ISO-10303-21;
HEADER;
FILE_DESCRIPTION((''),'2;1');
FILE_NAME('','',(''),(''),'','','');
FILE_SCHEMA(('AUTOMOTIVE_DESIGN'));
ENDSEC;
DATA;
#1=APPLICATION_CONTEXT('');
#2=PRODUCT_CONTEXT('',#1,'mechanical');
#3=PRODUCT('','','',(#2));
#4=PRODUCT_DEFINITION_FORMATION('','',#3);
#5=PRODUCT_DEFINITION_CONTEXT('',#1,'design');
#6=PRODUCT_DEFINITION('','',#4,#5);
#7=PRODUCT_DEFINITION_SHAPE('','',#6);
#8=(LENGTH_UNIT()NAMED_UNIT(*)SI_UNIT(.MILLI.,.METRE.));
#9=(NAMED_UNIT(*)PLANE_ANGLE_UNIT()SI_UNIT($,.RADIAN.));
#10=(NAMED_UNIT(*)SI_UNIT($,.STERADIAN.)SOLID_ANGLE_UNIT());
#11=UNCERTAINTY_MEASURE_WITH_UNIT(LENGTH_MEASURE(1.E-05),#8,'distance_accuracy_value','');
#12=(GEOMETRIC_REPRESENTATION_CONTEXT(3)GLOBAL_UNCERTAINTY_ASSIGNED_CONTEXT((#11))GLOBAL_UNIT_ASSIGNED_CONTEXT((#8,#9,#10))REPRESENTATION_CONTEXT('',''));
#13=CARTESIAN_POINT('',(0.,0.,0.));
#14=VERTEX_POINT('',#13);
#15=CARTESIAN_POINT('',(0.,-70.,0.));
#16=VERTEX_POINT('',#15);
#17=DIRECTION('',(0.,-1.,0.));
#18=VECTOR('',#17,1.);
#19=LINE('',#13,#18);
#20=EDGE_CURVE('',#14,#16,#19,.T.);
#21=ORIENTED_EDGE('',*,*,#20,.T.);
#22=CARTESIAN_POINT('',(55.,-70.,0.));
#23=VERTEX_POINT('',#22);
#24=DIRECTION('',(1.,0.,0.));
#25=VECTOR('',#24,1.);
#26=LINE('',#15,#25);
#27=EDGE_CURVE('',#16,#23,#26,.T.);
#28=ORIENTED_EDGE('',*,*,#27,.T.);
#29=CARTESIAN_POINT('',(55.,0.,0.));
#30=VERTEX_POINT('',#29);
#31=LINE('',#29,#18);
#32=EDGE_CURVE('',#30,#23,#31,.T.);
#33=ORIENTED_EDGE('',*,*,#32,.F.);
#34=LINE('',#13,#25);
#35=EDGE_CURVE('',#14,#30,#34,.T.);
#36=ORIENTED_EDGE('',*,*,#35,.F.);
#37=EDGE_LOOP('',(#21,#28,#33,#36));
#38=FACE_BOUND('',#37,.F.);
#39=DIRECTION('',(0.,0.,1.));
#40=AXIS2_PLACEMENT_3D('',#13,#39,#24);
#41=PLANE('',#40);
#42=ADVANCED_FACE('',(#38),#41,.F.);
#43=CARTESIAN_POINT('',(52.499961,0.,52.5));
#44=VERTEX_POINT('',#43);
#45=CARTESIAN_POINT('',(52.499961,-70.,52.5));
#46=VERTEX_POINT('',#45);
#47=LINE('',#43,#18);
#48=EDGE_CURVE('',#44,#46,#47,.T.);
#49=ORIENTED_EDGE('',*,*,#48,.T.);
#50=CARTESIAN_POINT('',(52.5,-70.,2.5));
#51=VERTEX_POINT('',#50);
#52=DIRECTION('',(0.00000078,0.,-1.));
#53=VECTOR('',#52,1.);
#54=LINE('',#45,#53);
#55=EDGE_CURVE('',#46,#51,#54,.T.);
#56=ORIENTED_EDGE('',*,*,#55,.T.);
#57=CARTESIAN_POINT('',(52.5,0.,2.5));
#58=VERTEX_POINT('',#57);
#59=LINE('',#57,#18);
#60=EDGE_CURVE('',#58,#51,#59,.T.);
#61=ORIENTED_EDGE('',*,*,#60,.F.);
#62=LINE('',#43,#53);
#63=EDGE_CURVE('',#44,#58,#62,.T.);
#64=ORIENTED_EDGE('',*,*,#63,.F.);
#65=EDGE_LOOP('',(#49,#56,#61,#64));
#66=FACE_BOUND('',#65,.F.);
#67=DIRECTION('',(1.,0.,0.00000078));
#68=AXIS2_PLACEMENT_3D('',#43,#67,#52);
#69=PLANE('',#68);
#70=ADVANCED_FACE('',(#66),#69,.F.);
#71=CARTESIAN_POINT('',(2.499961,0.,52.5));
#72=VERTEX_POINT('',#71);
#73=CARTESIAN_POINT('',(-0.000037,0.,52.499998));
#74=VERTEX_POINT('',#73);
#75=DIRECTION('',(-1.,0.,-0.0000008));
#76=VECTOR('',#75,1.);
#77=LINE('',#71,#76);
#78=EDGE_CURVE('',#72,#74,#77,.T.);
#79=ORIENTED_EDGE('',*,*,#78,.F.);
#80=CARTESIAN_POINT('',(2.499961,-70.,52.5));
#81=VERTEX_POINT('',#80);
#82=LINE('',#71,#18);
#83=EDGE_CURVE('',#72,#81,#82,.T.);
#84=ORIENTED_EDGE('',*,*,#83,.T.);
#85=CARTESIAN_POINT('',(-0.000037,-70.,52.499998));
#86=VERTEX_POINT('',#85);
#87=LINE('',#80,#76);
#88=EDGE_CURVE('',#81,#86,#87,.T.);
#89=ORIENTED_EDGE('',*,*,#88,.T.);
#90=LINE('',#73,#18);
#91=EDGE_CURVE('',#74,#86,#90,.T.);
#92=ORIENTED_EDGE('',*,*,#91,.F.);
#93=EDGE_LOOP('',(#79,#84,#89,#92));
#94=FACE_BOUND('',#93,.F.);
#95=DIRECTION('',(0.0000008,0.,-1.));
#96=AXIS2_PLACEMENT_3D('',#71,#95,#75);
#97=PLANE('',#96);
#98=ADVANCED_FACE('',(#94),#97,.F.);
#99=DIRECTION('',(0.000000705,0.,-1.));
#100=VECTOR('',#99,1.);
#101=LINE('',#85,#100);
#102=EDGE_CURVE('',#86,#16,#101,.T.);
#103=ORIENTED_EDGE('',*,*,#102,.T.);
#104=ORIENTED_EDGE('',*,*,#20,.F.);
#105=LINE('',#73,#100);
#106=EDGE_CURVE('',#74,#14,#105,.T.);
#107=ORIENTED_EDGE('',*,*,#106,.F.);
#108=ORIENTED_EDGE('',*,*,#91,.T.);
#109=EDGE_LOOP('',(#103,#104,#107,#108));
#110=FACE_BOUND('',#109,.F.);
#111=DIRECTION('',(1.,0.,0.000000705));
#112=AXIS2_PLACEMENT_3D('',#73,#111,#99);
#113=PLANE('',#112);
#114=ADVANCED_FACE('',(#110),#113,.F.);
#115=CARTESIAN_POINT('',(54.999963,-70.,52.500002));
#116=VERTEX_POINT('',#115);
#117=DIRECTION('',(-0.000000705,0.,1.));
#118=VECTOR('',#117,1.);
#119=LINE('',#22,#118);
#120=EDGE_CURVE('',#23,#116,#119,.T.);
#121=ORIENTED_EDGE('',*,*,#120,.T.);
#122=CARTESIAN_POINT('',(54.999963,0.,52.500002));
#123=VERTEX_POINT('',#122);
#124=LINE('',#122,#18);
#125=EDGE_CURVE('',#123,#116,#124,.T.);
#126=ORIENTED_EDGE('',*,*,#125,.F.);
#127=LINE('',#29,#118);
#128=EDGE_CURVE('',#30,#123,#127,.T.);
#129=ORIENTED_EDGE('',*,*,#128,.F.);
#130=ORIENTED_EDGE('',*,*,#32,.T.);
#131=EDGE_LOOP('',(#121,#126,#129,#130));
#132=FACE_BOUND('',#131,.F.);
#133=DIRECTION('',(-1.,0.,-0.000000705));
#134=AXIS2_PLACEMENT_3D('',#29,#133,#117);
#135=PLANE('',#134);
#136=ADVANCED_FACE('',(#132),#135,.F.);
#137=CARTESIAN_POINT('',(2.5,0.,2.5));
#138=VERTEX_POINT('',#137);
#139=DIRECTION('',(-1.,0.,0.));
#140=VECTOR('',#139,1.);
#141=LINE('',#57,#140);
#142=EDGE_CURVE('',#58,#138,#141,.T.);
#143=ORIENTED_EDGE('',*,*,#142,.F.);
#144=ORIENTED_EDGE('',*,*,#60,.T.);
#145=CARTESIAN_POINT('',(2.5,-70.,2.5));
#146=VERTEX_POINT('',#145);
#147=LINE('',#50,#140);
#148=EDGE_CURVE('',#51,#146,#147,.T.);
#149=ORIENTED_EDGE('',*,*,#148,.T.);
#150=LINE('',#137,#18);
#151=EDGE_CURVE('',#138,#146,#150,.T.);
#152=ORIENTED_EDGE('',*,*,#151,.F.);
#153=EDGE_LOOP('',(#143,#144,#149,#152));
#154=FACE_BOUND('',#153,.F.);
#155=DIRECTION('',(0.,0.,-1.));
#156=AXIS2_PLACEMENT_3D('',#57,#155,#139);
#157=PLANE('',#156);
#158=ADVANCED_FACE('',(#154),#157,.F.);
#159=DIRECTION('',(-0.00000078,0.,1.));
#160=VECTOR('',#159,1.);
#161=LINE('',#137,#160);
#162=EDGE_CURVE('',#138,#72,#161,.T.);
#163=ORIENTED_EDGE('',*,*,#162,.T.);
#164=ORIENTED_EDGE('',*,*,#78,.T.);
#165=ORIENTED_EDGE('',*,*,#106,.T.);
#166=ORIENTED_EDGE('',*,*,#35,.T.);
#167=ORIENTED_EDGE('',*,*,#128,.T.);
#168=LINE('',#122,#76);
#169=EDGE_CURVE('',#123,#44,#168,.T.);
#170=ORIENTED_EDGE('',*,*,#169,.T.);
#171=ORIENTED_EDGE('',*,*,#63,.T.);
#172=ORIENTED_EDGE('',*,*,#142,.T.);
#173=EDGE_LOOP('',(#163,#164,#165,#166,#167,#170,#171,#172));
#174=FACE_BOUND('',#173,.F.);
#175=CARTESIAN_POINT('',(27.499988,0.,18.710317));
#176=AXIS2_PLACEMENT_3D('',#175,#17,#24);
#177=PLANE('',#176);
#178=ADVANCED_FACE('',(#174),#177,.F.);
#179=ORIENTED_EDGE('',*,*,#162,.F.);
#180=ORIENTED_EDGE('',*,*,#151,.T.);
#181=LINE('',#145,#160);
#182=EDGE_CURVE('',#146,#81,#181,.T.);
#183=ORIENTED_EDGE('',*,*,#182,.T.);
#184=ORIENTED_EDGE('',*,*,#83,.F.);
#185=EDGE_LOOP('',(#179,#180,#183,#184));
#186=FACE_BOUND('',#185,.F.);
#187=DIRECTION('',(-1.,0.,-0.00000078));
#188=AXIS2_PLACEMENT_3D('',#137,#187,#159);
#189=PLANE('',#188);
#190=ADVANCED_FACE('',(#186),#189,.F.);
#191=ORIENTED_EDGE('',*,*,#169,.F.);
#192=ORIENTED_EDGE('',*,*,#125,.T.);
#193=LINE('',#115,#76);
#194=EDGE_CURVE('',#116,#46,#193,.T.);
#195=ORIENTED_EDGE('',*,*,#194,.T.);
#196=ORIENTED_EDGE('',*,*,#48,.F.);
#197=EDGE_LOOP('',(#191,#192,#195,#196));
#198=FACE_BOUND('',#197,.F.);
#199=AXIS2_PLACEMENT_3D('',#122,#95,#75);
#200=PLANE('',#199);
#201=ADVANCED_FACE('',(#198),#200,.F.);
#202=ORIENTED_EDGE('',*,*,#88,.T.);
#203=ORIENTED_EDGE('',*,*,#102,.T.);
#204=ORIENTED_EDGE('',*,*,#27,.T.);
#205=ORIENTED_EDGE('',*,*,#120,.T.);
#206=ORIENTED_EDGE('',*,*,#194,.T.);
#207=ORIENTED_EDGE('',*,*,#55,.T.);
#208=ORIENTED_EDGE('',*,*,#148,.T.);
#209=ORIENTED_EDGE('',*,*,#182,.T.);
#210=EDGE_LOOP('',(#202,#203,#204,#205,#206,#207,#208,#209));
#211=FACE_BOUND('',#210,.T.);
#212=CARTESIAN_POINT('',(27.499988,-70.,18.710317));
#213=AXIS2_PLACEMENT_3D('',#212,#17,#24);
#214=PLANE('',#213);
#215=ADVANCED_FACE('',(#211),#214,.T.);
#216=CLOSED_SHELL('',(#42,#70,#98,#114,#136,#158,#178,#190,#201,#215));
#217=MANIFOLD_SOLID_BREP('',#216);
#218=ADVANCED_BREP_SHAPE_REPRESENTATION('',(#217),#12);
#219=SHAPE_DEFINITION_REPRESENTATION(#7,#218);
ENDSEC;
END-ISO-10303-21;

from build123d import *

# Parameters (mm, degrees)
F1_DEPTH = 70


with BuildPart() as f1:
    # F0 (on Front) → F1 (new body)
    with BuildSketch(Plane.XZ):
        Polygon((-3.7e-05, 52.499998), (0, 0), (55, 0), (54.999963, 52.500002), (52.499961, 52.5), (52.5, 2.5), (2.5, 2.5), (2.499961, 52.5), align=None)
    extrude(amount=F1_DEPTH)


solid = f1.part
